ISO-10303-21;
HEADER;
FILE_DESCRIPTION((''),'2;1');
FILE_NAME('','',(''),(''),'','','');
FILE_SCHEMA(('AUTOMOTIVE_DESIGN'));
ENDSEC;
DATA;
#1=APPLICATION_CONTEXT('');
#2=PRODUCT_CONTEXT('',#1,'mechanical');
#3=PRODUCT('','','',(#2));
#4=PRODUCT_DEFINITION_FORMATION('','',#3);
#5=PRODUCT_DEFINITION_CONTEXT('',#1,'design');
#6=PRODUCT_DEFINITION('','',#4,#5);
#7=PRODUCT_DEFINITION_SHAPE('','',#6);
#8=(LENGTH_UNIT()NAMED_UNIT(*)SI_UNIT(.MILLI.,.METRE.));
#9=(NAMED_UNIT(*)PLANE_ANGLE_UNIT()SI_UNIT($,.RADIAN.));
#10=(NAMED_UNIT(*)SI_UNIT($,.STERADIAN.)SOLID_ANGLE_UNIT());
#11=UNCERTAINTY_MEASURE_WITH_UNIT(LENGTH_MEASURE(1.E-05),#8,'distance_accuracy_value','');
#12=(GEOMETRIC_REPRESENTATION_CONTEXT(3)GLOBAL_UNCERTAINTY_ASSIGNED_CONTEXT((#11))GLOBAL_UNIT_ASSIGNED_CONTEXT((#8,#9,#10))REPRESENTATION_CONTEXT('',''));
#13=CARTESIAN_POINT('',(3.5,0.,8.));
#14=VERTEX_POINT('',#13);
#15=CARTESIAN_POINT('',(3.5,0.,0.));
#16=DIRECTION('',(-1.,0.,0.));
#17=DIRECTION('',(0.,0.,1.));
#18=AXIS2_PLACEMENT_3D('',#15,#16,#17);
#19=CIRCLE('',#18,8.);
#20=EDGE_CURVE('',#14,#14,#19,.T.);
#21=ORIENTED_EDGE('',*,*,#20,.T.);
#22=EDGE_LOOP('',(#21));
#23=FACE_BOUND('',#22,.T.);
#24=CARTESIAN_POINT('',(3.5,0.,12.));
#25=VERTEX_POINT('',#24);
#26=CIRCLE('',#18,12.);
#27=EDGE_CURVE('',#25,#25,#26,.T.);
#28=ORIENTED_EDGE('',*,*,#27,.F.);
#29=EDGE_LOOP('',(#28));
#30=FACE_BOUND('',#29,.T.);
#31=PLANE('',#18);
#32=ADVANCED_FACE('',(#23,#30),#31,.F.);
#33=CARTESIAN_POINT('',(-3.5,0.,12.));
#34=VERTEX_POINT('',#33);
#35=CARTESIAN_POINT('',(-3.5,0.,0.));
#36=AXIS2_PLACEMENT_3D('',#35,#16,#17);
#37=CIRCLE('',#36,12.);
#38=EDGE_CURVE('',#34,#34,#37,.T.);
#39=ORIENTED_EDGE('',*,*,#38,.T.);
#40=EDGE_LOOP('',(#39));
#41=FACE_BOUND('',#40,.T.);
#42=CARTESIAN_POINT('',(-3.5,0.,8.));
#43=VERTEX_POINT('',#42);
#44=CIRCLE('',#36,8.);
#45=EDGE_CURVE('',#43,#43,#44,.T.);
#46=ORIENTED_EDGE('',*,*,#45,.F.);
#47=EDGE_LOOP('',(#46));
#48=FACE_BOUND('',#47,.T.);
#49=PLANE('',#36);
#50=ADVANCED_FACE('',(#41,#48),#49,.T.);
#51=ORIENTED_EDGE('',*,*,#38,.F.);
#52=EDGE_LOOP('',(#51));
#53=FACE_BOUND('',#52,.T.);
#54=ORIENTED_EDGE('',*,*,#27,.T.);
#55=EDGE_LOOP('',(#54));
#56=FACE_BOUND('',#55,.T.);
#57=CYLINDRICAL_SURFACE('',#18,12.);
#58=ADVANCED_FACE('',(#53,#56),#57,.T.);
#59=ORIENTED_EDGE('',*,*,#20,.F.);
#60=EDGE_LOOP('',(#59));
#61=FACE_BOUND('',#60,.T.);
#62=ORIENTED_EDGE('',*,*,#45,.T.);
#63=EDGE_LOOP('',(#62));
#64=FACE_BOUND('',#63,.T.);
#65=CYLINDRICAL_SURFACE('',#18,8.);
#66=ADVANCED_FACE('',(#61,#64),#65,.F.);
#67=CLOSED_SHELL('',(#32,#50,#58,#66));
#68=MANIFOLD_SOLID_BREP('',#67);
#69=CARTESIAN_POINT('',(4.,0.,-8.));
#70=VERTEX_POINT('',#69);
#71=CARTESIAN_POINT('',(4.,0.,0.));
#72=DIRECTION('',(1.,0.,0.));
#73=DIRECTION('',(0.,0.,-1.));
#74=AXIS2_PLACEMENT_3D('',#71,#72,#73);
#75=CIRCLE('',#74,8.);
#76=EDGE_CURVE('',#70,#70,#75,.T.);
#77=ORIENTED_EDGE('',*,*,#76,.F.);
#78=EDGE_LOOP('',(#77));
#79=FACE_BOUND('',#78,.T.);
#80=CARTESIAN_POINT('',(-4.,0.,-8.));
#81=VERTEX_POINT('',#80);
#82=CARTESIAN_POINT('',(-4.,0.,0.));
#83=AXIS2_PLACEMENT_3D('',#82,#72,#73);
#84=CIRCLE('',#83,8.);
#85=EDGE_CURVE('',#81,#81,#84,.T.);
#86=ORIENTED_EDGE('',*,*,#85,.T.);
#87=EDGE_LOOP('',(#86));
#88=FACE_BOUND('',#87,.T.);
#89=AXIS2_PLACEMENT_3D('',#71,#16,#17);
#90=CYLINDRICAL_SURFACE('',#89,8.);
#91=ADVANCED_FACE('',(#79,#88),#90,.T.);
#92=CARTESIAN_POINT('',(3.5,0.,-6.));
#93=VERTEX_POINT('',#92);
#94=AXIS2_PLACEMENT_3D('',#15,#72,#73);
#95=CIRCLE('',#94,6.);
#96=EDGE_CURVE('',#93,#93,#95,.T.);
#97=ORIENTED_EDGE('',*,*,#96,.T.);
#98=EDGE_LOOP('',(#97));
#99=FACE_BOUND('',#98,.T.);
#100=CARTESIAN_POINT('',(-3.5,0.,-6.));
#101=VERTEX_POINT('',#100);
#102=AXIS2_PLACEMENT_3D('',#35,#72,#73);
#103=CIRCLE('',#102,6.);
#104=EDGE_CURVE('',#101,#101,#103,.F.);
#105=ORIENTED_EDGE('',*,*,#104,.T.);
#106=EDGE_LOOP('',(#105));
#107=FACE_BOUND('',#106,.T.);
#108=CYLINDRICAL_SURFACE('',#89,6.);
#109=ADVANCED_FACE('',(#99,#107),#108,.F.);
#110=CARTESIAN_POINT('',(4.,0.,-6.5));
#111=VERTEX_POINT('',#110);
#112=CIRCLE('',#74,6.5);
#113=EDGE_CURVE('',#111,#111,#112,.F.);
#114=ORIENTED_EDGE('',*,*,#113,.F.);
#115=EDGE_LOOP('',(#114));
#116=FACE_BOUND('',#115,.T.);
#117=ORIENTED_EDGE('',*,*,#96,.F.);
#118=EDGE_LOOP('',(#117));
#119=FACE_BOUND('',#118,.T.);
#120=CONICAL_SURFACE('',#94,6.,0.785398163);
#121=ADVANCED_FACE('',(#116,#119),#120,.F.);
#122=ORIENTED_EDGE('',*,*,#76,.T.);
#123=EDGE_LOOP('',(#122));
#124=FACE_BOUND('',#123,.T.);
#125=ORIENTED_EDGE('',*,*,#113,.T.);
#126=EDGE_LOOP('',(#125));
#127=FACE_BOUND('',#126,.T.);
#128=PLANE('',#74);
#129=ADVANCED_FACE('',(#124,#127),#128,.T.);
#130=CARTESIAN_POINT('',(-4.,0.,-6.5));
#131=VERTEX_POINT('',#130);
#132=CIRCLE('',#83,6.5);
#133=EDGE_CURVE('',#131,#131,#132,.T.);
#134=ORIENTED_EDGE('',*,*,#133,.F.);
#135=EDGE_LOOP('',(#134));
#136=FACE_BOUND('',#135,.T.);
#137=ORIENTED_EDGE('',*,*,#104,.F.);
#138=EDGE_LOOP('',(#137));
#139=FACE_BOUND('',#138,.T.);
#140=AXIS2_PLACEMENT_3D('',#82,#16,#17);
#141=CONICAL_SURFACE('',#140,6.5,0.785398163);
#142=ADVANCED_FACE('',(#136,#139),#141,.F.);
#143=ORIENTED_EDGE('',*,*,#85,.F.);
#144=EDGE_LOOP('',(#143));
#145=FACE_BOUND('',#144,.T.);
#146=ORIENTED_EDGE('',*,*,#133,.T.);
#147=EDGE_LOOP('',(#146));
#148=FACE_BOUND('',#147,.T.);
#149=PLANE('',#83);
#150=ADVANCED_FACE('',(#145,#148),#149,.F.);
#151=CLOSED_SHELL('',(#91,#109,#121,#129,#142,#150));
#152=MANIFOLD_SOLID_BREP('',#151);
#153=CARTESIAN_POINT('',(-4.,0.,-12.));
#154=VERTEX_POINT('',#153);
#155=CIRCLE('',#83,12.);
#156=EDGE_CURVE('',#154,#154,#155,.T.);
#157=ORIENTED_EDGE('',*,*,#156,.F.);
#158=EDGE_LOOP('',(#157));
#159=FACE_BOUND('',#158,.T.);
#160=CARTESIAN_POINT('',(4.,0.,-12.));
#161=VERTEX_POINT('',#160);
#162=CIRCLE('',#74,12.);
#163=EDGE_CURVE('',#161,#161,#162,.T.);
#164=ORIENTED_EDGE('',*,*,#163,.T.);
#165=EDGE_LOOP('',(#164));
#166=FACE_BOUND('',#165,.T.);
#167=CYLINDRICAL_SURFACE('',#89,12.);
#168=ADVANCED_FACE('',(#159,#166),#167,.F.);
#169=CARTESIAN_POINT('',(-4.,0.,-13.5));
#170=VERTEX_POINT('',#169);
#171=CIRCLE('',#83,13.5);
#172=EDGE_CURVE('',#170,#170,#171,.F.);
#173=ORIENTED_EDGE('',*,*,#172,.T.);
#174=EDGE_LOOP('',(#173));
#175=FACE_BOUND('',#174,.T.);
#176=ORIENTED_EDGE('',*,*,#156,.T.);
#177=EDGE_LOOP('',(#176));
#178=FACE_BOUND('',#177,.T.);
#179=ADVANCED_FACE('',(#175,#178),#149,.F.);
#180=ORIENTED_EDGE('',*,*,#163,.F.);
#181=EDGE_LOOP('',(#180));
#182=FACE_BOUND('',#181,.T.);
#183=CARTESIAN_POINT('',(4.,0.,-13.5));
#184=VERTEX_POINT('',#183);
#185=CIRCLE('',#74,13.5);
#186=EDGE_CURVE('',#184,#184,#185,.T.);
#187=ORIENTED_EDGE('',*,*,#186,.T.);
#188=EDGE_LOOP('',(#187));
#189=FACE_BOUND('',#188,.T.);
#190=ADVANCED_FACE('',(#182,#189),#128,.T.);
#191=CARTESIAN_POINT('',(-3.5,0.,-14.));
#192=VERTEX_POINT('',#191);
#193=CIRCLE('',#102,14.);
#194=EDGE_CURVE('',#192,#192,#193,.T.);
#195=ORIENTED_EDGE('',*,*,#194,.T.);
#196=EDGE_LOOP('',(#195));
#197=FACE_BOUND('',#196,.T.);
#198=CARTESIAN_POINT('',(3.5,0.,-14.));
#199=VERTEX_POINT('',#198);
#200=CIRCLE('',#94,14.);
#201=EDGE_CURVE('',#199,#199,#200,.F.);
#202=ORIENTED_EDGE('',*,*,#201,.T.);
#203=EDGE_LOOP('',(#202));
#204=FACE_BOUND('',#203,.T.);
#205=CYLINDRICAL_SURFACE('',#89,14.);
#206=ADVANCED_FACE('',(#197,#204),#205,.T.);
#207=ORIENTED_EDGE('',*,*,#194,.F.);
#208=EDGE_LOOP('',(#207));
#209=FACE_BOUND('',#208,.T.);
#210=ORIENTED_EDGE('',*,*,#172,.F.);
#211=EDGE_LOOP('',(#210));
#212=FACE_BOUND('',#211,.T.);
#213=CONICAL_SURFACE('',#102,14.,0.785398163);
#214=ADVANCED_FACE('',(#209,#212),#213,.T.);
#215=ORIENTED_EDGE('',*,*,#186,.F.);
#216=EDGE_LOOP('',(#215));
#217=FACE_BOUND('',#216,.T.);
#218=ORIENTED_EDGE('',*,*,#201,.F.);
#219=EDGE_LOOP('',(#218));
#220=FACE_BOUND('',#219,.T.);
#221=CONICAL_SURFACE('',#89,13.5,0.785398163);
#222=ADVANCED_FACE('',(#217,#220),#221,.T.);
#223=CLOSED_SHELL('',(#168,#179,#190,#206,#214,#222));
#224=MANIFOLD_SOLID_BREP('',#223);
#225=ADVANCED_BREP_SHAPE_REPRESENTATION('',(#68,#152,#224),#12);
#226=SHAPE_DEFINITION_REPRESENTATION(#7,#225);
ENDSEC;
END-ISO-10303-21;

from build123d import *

# Parameters (mm, degrees)
SKETCH1_R             = 14
SKETCH1_R_2           = 12
BOSS_EXTRUDE1_DEPTH   = 4
SKETCH1_R_3           = 8
SKETCH1_R_4           = 6
BOSS_EXTRUDE1_2_DEPTH = 4
SKETCH2_R             = 12
SKETCH2_R_2           = 8
BOSS_EXTRUDE2_DEPTH   = 3.5
CHAMFER1_SIZE         = 0.5
CHAMFER2_SIZE         = 0.5


with BuildPart() as part:
    # Sketch1 → Boss-Extrude1 (new, symmetric)
    with BuildSketch(Plane(origin=(0, 0, 0), x_dir=(0, 0, -1), z_dir=(1, 0, 0))):
        Circle(SKETCH1_R)
        Circle(SKETCH1_R_2, mode=Mode.SUBTRACT)
    extrude(amount=BOSS_EXTRUDE1_DEPTH, both=True)

    # Chamfer1
    chamfer1_edges = [part.edges().sort_by_distance(p)[0] for p in [
        (-4, 0, 14),
        (4, 0, 14),
    ]]
    chamfer(chamfer1_edges, length=CHAMFER1_SIZE)


with BuildPart() as body_2:
    # Sketch1 → Boss-Extrude1 2 (new, symmetric)
    with BuildSketch(Plane(origin=(0, 0, 0), x_dir=(0, 0, -1), z_dir=(1, 0, 0))):
        Circle(SKETCH1_R_3)
        Circle(SKETCH1_R_4, mode=Mode.SUBTRACT)
    extrude(amount=BOSS_EXTRUDE1_2_DEPTH, both=True)

    # Chamfer2
    chamfer2_edges = [body_2.edges().sort_by_distance(p)[0] for p in [
        (-4, 0, 6),
        (4, 0, 6),
    ]]
    chamfer(chamfer2_edges, length=CHAMFER2_SIZE)


with BuildPart() as body_3:
    # Sketch2 → Boss-Extrude2 (new, symmetric)
    with BuildSketch(Plane.ZY):
        Circle(SKETCH2_R)
        Circle(SKETCH2_R_2, mode=Mode.SUBTRACT)
    extrude(amount=BOSS_EXTRUDE2_DEPTH, both=True)


solid = Compound([part.part, body_2.part, body_3.part])
